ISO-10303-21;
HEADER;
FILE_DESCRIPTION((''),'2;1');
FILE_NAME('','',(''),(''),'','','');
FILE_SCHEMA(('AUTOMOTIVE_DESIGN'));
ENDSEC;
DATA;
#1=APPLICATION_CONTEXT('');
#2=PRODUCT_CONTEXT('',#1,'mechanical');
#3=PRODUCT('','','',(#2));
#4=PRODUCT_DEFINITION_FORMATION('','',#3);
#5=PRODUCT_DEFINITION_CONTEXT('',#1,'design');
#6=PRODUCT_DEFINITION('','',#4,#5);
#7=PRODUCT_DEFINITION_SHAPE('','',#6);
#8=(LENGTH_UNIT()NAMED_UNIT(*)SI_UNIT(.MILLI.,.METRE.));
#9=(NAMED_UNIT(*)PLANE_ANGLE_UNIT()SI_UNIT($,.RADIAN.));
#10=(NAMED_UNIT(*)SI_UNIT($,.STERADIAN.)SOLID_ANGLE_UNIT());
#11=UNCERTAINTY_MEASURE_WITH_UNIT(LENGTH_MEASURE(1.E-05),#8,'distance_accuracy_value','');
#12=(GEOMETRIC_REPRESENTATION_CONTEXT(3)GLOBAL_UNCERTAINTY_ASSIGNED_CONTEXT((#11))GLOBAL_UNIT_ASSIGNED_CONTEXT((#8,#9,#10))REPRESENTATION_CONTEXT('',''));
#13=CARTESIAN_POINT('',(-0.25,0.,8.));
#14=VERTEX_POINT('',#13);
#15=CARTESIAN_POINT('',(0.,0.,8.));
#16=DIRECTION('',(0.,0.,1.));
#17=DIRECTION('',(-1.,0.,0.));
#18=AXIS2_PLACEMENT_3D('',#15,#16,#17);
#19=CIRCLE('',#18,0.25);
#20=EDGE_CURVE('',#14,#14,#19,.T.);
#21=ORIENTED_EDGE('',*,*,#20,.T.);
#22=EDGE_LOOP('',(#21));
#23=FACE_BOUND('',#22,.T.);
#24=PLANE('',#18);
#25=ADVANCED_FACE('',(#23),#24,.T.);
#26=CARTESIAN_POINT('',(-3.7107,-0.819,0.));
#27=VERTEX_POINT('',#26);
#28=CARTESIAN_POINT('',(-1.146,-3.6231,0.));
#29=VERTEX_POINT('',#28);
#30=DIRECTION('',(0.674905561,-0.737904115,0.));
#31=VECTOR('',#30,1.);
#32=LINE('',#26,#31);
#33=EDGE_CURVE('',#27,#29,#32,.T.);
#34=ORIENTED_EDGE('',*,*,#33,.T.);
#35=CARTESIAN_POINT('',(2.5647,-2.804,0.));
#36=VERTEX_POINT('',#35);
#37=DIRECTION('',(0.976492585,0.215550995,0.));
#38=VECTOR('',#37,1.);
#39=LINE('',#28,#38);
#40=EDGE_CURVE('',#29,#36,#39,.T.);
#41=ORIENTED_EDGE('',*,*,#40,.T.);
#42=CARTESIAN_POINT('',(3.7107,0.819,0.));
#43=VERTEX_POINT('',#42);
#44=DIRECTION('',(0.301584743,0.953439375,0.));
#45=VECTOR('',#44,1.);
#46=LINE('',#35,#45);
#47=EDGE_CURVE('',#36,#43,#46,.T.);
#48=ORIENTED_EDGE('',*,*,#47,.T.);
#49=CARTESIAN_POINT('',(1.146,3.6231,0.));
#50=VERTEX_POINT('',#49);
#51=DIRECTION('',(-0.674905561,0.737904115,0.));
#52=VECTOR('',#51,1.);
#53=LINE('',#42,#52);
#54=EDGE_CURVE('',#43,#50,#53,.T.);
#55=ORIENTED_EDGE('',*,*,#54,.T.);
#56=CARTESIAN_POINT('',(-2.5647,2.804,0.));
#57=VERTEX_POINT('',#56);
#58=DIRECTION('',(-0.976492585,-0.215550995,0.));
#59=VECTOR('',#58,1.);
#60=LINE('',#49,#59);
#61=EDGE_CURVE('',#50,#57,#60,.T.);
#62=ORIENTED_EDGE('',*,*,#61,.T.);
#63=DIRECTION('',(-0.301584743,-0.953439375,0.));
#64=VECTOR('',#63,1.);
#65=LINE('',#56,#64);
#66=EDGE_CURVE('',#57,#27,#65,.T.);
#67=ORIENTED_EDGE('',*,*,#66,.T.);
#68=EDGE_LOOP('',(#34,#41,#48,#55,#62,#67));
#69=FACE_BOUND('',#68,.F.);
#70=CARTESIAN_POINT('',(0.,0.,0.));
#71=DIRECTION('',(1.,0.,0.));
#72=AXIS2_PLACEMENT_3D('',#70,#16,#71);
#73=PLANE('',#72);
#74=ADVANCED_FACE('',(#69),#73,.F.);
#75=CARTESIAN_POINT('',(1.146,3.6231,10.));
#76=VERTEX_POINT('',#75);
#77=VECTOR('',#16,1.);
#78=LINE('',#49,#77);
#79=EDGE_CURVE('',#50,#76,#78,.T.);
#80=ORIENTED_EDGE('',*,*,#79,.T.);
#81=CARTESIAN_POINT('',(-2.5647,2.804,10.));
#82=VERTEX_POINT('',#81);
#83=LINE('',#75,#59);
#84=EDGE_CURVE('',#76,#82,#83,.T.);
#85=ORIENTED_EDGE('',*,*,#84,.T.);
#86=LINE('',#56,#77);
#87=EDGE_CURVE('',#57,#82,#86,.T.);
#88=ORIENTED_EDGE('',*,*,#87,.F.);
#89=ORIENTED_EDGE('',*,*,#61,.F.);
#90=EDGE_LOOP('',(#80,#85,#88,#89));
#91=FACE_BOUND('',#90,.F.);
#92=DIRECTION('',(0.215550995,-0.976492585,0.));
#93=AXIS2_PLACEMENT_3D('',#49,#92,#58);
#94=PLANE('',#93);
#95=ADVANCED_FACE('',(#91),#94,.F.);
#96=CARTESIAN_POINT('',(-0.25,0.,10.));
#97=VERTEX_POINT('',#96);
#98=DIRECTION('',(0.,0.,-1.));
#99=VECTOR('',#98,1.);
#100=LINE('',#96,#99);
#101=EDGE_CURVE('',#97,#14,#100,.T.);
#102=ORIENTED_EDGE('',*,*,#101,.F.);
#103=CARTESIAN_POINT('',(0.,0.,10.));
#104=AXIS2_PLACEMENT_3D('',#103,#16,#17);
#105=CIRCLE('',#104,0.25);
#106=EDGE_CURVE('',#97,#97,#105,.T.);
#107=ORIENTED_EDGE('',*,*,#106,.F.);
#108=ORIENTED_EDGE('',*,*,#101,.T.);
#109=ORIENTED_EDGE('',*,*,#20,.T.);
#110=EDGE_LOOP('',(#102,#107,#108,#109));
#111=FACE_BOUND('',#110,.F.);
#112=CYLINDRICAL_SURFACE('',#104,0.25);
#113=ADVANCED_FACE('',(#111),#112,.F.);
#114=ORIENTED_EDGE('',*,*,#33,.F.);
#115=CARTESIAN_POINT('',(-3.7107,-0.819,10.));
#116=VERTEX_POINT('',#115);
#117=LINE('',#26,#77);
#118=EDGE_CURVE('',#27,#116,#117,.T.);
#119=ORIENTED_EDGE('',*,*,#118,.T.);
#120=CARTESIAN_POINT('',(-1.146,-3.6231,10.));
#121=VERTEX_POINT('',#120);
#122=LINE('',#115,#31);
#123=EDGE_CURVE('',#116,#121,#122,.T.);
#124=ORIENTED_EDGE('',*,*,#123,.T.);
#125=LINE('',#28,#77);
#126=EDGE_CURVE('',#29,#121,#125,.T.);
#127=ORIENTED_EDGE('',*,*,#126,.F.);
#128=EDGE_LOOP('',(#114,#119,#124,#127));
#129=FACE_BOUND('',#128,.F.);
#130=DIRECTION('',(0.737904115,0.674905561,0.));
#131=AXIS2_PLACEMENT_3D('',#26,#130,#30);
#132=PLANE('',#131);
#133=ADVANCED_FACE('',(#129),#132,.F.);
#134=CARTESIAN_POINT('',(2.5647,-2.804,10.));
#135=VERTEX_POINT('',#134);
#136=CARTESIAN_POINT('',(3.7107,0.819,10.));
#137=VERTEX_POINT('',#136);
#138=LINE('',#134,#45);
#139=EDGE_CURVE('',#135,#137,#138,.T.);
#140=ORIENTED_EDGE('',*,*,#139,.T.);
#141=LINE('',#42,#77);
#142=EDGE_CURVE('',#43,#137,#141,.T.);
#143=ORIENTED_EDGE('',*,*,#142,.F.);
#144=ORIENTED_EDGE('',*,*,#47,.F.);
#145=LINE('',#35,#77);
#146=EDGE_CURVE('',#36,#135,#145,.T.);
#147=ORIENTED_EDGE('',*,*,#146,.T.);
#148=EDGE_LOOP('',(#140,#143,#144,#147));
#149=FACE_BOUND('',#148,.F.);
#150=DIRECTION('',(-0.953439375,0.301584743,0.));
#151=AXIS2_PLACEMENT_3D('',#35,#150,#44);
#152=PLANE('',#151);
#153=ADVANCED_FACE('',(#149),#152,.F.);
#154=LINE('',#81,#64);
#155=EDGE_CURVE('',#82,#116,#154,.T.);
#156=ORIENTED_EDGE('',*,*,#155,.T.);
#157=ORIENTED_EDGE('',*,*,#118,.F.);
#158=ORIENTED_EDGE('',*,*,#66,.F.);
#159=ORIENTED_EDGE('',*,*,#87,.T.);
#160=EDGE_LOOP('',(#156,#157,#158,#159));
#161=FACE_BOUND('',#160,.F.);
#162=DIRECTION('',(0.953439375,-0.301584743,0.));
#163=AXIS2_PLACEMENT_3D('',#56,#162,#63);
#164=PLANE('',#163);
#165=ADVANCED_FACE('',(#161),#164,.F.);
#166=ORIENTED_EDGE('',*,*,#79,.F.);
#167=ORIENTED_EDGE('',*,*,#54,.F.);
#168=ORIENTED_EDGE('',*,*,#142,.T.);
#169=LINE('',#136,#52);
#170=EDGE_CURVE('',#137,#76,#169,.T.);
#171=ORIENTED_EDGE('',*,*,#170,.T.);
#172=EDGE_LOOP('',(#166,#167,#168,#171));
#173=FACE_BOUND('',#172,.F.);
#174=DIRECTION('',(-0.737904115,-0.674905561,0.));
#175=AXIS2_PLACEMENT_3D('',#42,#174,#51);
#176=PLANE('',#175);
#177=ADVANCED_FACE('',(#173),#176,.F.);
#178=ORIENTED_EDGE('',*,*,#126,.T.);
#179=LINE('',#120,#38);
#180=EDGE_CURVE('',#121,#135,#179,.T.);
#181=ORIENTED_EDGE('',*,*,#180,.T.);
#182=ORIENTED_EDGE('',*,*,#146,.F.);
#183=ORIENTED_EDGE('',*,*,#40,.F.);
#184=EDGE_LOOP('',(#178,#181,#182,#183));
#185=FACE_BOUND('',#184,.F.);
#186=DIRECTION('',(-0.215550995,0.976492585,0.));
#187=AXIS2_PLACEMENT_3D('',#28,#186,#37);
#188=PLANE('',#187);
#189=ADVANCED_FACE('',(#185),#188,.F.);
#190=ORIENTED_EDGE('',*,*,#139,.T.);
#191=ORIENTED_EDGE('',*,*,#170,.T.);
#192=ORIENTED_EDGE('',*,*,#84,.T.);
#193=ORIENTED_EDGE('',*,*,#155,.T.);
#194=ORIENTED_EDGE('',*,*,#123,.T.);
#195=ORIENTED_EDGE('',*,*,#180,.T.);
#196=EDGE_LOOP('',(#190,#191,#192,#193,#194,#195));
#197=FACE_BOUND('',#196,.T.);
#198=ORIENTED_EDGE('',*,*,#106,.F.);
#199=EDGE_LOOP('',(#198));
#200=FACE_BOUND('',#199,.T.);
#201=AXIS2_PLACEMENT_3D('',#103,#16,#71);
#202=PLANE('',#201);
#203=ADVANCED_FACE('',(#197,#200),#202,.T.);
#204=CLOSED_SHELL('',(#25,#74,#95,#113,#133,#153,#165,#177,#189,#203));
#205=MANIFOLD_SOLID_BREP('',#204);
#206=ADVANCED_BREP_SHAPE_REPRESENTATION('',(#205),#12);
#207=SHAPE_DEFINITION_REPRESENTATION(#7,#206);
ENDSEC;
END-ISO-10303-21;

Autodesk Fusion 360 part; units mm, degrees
sketch "Sketch1" plane through (0, 0, 0) normal (0, 0, 1) x (1, 0, 0)
  line L0 (2.5647, -2.804) -> (3.7107, 0.819)
  line L1 (3.7107, 0.819) -> (1.146, 3.6231)
  line L2 (1.146, 3.6231) -> (-2.5647, 2.804)
  line L3 (-2.5647, 2.804) -> (-3.7107, -0.819)
  line L4 (-3.7107, -0.819) -> (-1.146, -3.6231)
  line L5 (-1.146, -3.6231) -> (2.5647, -2.804)
  dimension "d1" = 3.8
extrude "Extrude1" add sketch "Sketch1" along normal blind 10
sketch "Sketch2" plane through (0, 0, 10) normal (0, 0, 1) x (-1, 0, 0)
  line L0 (1.146, 3.6231) -> (-2.5647, 2.804)
  line L1 (-2.5647, 2.804) -> (-3.7107, -0.819)
  line L2 (-3.7107, -0.819) -> (-1.146, -3.6231)
  line L3 (-1.146, -3.6231) -> (2.5647, -2.804)
  line L4 (2.5647, -2.804) -> (3.7107, 0.819)
  line L5 (3.7107, 0.819) -> (1.146, 3.6231)
  circle A0 centre (0, 0) radius 0.25
  dimension "d6" = 0.5
extrude "Extrude3" cut sketch "Sketch2" against normal blind 2 contours A0
equation "d1 = polygon_side"
equation "d2 = polygon_height"
equation "polygon_side = 3.8 mm"
equation "polygon_height = 10 mm"
equation "d6 = nail_radius * 2"
equation "nail_radius = 0.25 mm"
equation "nail_depth = 2 mm"
equation "d11 = -nail_depth"
